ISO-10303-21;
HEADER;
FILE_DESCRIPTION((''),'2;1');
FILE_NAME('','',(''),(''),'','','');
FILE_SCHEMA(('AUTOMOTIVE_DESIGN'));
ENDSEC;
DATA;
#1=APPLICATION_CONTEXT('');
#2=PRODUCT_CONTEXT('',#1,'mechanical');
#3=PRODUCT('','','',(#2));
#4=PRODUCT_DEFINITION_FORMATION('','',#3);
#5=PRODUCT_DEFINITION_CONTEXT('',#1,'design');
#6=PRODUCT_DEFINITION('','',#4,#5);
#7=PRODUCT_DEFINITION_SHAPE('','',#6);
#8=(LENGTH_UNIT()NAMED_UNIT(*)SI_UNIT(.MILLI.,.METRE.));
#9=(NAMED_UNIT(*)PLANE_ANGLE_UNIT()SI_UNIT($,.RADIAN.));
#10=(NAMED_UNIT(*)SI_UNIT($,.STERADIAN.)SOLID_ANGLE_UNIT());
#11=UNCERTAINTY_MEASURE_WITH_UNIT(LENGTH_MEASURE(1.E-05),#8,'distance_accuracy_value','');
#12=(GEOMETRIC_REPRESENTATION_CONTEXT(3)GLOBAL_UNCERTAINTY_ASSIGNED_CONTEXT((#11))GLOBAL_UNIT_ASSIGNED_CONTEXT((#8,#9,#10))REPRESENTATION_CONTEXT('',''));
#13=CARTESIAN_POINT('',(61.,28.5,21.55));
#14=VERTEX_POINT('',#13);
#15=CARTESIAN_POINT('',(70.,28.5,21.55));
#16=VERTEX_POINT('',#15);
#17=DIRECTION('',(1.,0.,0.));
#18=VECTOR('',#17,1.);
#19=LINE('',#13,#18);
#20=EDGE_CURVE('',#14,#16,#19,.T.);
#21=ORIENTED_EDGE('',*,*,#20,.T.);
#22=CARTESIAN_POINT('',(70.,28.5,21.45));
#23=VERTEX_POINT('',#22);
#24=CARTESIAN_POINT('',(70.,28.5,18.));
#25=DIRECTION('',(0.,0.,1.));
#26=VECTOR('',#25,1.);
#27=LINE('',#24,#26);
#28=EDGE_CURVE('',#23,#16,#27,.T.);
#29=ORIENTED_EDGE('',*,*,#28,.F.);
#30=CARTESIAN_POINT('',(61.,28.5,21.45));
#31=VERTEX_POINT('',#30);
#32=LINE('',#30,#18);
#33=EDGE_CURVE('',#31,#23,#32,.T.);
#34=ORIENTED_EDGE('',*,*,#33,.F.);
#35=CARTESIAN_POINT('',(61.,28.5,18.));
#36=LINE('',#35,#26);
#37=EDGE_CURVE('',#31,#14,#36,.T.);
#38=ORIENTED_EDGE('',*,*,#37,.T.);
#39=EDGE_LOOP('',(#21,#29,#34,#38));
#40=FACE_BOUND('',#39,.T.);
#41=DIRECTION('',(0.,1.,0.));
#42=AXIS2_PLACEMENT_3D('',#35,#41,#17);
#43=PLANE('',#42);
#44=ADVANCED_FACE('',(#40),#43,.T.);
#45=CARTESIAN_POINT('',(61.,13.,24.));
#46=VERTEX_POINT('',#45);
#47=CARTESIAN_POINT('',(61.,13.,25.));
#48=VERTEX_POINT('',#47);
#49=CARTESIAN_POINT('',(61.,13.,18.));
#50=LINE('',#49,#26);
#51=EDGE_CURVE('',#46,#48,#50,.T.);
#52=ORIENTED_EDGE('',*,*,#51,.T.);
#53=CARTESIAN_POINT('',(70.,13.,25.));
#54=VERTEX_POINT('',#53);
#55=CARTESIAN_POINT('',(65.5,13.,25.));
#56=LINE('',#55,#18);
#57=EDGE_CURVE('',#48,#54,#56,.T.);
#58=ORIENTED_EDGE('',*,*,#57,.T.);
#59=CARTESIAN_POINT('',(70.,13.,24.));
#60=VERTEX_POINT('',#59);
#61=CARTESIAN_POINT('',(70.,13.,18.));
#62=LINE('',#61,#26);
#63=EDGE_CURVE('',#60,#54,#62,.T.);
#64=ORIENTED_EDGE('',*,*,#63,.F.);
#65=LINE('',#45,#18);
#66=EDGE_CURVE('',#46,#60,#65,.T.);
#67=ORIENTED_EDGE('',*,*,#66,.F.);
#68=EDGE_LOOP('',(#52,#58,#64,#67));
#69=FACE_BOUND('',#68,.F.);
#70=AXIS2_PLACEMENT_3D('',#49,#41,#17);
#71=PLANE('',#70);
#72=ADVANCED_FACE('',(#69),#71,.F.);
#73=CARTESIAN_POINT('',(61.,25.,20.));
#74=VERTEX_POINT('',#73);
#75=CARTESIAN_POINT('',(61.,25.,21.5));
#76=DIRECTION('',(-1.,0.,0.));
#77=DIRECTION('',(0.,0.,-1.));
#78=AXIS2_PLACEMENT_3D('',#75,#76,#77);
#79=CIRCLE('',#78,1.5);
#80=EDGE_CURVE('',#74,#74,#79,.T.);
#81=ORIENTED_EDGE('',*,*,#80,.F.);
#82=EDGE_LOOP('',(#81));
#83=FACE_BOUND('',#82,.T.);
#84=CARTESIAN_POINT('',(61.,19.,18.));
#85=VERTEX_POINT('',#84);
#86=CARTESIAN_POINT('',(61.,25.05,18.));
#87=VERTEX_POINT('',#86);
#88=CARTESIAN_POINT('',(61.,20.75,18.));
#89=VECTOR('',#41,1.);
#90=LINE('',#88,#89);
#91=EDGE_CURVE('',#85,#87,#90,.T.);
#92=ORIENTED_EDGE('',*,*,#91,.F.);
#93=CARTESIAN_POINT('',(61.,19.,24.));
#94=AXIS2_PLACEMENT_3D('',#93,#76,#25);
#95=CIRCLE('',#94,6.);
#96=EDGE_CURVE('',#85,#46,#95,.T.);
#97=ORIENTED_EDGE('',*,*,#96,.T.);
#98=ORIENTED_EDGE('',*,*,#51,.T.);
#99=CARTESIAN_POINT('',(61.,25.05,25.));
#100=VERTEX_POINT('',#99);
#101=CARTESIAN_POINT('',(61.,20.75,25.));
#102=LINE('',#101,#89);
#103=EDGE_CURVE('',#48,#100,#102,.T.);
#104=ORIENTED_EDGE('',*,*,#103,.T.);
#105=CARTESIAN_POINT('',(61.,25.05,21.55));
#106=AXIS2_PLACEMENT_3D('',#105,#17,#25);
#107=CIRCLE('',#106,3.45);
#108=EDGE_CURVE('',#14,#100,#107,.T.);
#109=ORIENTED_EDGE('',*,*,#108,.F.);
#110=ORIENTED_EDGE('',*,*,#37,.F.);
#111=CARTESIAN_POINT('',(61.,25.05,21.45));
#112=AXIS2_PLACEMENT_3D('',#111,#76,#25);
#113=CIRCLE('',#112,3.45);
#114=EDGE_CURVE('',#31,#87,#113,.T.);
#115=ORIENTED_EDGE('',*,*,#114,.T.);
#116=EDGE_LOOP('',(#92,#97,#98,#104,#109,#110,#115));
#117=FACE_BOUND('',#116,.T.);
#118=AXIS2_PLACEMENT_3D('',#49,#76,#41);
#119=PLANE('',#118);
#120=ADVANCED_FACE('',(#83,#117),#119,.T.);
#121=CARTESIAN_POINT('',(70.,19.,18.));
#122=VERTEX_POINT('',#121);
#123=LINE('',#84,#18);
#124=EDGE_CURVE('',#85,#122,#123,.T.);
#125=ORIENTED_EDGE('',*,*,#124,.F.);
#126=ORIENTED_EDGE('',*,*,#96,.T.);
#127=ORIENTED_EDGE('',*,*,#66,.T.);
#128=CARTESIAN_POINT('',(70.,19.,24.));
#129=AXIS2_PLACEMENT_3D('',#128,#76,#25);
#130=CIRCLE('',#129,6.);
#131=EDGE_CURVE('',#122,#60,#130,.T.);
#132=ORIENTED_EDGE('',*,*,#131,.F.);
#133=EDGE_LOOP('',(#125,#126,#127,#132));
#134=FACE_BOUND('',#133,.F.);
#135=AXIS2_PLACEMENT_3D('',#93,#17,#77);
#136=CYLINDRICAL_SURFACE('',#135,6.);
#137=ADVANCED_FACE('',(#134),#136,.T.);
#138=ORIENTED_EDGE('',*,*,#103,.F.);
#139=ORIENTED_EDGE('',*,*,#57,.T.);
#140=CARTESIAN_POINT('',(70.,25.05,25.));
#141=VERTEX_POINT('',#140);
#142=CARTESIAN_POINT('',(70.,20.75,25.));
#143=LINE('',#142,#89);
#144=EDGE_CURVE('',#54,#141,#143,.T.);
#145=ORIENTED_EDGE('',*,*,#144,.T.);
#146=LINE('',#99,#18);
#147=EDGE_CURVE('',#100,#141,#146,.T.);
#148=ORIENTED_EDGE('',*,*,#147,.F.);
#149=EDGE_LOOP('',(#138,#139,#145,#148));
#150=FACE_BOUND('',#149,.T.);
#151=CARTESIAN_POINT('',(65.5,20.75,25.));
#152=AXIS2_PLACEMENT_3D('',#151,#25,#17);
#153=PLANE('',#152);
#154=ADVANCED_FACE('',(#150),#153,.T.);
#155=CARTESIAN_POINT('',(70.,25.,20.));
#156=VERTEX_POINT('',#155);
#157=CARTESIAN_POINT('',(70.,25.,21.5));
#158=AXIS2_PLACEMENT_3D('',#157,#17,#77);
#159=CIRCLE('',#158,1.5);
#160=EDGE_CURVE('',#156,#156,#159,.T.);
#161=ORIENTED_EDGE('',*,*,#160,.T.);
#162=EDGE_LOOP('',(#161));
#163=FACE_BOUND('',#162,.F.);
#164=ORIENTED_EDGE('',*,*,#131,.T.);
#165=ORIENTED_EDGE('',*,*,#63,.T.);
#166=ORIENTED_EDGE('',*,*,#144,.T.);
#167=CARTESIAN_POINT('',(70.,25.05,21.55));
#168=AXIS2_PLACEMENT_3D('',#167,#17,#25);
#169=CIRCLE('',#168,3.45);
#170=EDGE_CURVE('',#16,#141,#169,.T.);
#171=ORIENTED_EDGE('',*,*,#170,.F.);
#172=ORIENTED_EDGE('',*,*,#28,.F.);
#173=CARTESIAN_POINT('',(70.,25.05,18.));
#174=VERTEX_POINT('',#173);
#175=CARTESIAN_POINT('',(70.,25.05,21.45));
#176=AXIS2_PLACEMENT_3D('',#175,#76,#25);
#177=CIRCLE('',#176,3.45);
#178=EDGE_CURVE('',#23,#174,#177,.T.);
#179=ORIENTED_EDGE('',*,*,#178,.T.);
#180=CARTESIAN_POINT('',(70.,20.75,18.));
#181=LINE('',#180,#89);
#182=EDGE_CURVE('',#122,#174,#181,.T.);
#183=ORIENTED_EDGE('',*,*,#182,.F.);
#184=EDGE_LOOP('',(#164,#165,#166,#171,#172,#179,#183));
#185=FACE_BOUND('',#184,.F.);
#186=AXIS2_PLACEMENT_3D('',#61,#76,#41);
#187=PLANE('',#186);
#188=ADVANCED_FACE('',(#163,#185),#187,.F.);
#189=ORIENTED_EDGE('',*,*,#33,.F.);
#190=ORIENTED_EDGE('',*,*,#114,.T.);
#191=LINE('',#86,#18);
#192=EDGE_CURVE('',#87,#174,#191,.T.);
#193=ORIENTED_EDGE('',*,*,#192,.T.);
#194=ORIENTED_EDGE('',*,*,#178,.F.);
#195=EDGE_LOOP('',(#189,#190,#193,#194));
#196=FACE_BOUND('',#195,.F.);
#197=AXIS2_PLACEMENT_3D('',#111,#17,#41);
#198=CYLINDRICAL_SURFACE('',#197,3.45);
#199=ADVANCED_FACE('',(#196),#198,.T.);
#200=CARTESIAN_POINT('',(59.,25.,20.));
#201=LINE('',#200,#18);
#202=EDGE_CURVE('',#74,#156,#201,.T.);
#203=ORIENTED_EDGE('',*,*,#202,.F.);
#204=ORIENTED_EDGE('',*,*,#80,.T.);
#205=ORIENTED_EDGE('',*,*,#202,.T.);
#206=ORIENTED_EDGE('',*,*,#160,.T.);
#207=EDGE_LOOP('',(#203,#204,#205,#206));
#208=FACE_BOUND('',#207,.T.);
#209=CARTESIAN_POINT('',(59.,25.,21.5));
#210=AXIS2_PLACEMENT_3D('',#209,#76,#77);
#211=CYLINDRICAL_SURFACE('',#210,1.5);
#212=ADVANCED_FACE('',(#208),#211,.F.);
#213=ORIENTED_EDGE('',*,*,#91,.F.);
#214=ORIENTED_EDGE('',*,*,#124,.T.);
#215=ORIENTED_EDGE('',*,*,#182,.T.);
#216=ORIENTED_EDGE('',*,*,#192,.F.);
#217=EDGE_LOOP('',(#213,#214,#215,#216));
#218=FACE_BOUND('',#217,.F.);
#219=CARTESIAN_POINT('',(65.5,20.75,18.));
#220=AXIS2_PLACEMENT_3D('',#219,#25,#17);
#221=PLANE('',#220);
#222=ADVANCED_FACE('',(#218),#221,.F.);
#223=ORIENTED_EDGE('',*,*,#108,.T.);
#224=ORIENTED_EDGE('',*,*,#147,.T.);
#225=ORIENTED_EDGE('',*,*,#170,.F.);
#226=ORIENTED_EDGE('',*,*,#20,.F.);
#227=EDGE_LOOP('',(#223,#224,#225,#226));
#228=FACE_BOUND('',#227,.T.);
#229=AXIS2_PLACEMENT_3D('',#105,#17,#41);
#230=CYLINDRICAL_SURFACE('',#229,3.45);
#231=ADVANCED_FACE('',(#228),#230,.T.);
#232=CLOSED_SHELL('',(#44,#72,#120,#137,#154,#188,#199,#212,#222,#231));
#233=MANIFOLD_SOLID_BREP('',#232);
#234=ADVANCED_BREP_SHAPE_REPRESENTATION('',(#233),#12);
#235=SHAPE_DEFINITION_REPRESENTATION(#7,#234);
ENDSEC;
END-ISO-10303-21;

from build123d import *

# Parameters (mm, degrees)
CYLINDER002_R        = 1.5
CYLINDER002_DEPTH    = 11
BOX010_W             = 9
BOX010_H             = 15.5
BOX010_DEPTH         = 7
FILLET002008005010_R = 3.45
FILLET002008005011_R = 6


with BuildPart() as cylinder002:
    # Cylinder002 → Cylinder002 (new body)
    with BuildSketch(Plane(origin=(59, 25, 21.5), x_dir=(0, 0, -1), z_dir=(1, 0, 0))):
        Circle(CYLINDER002_R)
    extrude(amount=CYLINDER002_DEPTH)


with BuildPart() as cut:
    # Box010 → Box010 (new body)
    with BuildSketch(Plane(origin=(61, 13, 18), x_dir=(1, 0, 0), z_dir=(0, 0, 1))):
        with Locations((4.5, 7.75)):
            Rectangle(BOX010_W, BOX010_H)
    extrude(amount=BOX010_DEPTH)

    # Fillet002008005010
    fillet002008005010_edges = [cut.edges().sort_by_distance(p)[0] for p in [
        (65.5, 28.5, 18),
        (65.5, 28.5, 25),
    ]]
    fillet(fillet002008005010_edges, radius=FILLET002008005010_R)

    # Fillet002008005011
    fillet002008005011_edges = [cut.edges().sort_by_distance(p)[0] for p in [
        (65.5, 13, 18),
    ]]
    fillet(fillet002008005011_edges, radius=FILLET002008005011_R)

    # Cut: cut Cylinder002
    add(cylinder002.part, mode=Mode.SUBTRACT)


solid = cut.part
